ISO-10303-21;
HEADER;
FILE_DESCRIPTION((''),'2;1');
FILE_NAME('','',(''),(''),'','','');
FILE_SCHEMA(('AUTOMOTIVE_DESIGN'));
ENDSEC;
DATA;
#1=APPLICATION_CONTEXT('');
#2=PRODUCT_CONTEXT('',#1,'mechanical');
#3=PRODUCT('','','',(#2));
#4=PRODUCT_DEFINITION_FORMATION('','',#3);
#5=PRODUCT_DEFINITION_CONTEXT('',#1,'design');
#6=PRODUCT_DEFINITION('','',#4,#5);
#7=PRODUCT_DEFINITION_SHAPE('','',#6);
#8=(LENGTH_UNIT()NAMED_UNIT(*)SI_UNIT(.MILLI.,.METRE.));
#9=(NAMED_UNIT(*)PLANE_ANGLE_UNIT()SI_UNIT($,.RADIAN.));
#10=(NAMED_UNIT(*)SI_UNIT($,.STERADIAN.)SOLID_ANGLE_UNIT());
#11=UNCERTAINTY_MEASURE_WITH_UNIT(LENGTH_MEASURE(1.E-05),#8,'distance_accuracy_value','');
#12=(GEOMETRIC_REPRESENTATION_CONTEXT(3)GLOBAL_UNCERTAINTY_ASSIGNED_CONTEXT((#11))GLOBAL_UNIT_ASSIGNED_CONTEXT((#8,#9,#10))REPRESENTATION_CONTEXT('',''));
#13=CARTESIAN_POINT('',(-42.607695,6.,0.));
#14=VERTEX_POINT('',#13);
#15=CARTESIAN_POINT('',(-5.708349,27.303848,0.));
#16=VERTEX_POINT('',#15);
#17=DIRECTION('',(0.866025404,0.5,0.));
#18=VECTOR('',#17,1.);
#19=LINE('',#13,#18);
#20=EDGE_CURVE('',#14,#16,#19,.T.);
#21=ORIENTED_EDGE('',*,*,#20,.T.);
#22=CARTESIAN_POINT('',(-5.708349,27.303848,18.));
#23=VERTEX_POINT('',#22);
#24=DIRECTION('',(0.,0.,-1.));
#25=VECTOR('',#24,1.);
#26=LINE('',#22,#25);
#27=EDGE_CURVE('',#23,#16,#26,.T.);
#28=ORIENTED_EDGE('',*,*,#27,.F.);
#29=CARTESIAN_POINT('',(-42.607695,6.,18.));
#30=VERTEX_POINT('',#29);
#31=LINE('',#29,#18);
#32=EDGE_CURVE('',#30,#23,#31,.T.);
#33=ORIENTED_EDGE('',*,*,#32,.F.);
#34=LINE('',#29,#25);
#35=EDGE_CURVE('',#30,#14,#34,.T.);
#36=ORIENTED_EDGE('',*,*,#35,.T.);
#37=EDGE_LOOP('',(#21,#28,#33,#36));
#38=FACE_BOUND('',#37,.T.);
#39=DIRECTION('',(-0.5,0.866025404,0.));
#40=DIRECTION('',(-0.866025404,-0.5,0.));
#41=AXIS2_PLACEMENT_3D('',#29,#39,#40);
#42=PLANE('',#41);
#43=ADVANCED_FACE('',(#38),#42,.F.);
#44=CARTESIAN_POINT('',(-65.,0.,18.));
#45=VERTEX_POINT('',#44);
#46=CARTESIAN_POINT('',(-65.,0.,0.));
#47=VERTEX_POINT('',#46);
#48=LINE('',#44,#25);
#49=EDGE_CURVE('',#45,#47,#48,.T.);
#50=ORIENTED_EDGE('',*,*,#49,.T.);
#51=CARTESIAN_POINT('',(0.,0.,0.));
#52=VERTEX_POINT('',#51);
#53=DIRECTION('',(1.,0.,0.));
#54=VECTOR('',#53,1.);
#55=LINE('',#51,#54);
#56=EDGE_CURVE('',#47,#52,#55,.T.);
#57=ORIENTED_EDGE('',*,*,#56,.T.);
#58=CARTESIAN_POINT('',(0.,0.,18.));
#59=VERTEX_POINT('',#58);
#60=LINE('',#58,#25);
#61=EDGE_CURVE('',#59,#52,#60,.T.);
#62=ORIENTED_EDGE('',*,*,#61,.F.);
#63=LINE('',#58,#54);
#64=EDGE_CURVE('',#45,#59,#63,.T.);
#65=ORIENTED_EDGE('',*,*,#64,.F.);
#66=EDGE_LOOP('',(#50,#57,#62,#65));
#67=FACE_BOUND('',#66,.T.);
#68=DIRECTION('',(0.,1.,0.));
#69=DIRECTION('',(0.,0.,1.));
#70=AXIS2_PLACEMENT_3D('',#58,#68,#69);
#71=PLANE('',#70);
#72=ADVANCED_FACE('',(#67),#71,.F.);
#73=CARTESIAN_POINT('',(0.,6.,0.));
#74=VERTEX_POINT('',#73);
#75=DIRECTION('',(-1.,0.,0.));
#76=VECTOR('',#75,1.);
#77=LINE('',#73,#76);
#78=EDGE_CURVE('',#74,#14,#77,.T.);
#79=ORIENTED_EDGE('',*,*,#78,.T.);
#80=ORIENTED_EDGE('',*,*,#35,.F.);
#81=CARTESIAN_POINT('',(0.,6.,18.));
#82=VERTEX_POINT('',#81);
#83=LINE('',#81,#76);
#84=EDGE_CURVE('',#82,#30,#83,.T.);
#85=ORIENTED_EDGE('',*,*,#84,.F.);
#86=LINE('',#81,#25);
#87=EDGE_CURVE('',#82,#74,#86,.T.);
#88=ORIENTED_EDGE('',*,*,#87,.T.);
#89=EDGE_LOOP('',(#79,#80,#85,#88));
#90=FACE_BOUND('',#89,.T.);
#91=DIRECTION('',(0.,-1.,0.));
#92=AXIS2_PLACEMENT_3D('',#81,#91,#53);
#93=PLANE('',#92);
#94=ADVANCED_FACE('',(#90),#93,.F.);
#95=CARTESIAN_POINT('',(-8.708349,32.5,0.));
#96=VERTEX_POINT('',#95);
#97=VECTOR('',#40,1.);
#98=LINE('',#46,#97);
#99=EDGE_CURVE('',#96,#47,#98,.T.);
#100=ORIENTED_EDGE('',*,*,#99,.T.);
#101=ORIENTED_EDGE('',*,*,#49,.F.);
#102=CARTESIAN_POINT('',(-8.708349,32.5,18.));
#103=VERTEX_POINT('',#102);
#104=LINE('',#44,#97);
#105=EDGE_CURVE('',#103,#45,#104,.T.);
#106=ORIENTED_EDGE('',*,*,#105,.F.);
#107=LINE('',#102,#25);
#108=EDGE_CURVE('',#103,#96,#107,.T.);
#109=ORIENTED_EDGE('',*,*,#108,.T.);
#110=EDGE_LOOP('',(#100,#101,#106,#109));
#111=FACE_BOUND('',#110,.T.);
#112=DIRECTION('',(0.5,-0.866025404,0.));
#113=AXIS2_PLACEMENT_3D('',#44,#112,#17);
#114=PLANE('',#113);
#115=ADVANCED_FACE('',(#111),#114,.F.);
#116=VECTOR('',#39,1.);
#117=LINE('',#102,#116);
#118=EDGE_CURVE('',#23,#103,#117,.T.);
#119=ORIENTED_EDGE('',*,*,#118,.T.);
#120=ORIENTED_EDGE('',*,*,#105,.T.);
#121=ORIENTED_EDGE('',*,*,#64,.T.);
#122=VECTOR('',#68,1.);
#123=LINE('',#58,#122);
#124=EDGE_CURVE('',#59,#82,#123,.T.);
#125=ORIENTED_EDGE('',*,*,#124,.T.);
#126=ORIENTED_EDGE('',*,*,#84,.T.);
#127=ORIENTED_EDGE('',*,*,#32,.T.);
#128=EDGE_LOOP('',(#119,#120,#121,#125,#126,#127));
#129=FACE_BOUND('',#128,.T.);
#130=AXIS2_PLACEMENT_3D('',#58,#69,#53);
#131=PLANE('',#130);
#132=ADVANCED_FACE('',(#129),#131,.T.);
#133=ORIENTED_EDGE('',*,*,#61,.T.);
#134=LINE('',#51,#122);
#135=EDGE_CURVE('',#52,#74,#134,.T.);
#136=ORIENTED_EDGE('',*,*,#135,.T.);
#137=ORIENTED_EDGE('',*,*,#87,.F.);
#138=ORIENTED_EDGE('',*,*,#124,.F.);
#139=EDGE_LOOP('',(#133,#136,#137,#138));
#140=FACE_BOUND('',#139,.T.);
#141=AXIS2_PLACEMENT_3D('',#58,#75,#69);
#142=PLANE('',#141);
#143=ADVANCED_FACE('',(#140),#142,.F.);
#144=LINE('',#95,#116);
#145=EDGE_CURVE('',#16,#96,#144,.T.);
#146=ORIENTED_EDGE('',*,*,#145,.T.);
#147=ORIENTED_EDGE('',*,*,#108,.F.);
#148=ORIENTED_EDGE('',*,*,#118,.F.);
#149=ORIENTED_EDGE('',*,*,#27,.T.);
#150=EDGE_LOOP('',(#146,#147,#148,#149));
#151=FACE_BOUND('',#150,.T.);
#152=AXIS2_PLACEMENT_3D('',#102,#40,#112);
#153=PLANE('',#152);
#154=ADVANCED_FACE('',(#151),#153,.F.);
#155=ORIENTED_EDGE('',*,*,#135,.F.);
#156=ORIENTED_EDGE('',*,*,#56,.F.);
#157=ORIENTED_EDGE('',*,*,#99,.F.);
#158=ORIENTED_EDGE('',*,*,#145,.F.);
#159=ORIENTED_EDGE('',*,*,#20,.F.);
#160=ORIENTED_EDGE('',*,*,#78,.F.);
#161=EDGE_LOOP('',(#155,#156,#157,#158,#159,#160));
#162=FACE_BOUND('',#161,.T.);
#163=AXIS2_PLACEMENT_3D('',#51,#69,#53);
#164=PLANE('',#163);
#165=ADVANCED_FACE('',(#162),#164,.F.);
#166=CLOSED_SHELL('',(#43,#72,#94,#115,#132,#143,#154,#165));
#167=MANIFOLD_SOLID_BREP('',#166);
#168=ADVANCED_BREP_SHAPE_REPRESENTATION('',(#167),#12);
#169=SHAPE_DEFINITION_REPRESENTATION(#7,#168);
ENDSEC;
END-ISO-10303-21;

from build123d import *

# Parameters (mm, degrees)
EXTRUDE_1_DEPTH = 18


with BuildPart() as part:
    # 草图1 → 凸台-拉伸1 (new body)
    with BuildSketch(Plane.XY):
        Polygon((0, 0), (-65, 0), (-8.708348754, 32.5), (-5.708348754, 27.303847577), (-42.607695155, 6), (0, 6), align=None)
    extrude(amount=EXTRUDE_1_DEPTH)


solid = part.part
